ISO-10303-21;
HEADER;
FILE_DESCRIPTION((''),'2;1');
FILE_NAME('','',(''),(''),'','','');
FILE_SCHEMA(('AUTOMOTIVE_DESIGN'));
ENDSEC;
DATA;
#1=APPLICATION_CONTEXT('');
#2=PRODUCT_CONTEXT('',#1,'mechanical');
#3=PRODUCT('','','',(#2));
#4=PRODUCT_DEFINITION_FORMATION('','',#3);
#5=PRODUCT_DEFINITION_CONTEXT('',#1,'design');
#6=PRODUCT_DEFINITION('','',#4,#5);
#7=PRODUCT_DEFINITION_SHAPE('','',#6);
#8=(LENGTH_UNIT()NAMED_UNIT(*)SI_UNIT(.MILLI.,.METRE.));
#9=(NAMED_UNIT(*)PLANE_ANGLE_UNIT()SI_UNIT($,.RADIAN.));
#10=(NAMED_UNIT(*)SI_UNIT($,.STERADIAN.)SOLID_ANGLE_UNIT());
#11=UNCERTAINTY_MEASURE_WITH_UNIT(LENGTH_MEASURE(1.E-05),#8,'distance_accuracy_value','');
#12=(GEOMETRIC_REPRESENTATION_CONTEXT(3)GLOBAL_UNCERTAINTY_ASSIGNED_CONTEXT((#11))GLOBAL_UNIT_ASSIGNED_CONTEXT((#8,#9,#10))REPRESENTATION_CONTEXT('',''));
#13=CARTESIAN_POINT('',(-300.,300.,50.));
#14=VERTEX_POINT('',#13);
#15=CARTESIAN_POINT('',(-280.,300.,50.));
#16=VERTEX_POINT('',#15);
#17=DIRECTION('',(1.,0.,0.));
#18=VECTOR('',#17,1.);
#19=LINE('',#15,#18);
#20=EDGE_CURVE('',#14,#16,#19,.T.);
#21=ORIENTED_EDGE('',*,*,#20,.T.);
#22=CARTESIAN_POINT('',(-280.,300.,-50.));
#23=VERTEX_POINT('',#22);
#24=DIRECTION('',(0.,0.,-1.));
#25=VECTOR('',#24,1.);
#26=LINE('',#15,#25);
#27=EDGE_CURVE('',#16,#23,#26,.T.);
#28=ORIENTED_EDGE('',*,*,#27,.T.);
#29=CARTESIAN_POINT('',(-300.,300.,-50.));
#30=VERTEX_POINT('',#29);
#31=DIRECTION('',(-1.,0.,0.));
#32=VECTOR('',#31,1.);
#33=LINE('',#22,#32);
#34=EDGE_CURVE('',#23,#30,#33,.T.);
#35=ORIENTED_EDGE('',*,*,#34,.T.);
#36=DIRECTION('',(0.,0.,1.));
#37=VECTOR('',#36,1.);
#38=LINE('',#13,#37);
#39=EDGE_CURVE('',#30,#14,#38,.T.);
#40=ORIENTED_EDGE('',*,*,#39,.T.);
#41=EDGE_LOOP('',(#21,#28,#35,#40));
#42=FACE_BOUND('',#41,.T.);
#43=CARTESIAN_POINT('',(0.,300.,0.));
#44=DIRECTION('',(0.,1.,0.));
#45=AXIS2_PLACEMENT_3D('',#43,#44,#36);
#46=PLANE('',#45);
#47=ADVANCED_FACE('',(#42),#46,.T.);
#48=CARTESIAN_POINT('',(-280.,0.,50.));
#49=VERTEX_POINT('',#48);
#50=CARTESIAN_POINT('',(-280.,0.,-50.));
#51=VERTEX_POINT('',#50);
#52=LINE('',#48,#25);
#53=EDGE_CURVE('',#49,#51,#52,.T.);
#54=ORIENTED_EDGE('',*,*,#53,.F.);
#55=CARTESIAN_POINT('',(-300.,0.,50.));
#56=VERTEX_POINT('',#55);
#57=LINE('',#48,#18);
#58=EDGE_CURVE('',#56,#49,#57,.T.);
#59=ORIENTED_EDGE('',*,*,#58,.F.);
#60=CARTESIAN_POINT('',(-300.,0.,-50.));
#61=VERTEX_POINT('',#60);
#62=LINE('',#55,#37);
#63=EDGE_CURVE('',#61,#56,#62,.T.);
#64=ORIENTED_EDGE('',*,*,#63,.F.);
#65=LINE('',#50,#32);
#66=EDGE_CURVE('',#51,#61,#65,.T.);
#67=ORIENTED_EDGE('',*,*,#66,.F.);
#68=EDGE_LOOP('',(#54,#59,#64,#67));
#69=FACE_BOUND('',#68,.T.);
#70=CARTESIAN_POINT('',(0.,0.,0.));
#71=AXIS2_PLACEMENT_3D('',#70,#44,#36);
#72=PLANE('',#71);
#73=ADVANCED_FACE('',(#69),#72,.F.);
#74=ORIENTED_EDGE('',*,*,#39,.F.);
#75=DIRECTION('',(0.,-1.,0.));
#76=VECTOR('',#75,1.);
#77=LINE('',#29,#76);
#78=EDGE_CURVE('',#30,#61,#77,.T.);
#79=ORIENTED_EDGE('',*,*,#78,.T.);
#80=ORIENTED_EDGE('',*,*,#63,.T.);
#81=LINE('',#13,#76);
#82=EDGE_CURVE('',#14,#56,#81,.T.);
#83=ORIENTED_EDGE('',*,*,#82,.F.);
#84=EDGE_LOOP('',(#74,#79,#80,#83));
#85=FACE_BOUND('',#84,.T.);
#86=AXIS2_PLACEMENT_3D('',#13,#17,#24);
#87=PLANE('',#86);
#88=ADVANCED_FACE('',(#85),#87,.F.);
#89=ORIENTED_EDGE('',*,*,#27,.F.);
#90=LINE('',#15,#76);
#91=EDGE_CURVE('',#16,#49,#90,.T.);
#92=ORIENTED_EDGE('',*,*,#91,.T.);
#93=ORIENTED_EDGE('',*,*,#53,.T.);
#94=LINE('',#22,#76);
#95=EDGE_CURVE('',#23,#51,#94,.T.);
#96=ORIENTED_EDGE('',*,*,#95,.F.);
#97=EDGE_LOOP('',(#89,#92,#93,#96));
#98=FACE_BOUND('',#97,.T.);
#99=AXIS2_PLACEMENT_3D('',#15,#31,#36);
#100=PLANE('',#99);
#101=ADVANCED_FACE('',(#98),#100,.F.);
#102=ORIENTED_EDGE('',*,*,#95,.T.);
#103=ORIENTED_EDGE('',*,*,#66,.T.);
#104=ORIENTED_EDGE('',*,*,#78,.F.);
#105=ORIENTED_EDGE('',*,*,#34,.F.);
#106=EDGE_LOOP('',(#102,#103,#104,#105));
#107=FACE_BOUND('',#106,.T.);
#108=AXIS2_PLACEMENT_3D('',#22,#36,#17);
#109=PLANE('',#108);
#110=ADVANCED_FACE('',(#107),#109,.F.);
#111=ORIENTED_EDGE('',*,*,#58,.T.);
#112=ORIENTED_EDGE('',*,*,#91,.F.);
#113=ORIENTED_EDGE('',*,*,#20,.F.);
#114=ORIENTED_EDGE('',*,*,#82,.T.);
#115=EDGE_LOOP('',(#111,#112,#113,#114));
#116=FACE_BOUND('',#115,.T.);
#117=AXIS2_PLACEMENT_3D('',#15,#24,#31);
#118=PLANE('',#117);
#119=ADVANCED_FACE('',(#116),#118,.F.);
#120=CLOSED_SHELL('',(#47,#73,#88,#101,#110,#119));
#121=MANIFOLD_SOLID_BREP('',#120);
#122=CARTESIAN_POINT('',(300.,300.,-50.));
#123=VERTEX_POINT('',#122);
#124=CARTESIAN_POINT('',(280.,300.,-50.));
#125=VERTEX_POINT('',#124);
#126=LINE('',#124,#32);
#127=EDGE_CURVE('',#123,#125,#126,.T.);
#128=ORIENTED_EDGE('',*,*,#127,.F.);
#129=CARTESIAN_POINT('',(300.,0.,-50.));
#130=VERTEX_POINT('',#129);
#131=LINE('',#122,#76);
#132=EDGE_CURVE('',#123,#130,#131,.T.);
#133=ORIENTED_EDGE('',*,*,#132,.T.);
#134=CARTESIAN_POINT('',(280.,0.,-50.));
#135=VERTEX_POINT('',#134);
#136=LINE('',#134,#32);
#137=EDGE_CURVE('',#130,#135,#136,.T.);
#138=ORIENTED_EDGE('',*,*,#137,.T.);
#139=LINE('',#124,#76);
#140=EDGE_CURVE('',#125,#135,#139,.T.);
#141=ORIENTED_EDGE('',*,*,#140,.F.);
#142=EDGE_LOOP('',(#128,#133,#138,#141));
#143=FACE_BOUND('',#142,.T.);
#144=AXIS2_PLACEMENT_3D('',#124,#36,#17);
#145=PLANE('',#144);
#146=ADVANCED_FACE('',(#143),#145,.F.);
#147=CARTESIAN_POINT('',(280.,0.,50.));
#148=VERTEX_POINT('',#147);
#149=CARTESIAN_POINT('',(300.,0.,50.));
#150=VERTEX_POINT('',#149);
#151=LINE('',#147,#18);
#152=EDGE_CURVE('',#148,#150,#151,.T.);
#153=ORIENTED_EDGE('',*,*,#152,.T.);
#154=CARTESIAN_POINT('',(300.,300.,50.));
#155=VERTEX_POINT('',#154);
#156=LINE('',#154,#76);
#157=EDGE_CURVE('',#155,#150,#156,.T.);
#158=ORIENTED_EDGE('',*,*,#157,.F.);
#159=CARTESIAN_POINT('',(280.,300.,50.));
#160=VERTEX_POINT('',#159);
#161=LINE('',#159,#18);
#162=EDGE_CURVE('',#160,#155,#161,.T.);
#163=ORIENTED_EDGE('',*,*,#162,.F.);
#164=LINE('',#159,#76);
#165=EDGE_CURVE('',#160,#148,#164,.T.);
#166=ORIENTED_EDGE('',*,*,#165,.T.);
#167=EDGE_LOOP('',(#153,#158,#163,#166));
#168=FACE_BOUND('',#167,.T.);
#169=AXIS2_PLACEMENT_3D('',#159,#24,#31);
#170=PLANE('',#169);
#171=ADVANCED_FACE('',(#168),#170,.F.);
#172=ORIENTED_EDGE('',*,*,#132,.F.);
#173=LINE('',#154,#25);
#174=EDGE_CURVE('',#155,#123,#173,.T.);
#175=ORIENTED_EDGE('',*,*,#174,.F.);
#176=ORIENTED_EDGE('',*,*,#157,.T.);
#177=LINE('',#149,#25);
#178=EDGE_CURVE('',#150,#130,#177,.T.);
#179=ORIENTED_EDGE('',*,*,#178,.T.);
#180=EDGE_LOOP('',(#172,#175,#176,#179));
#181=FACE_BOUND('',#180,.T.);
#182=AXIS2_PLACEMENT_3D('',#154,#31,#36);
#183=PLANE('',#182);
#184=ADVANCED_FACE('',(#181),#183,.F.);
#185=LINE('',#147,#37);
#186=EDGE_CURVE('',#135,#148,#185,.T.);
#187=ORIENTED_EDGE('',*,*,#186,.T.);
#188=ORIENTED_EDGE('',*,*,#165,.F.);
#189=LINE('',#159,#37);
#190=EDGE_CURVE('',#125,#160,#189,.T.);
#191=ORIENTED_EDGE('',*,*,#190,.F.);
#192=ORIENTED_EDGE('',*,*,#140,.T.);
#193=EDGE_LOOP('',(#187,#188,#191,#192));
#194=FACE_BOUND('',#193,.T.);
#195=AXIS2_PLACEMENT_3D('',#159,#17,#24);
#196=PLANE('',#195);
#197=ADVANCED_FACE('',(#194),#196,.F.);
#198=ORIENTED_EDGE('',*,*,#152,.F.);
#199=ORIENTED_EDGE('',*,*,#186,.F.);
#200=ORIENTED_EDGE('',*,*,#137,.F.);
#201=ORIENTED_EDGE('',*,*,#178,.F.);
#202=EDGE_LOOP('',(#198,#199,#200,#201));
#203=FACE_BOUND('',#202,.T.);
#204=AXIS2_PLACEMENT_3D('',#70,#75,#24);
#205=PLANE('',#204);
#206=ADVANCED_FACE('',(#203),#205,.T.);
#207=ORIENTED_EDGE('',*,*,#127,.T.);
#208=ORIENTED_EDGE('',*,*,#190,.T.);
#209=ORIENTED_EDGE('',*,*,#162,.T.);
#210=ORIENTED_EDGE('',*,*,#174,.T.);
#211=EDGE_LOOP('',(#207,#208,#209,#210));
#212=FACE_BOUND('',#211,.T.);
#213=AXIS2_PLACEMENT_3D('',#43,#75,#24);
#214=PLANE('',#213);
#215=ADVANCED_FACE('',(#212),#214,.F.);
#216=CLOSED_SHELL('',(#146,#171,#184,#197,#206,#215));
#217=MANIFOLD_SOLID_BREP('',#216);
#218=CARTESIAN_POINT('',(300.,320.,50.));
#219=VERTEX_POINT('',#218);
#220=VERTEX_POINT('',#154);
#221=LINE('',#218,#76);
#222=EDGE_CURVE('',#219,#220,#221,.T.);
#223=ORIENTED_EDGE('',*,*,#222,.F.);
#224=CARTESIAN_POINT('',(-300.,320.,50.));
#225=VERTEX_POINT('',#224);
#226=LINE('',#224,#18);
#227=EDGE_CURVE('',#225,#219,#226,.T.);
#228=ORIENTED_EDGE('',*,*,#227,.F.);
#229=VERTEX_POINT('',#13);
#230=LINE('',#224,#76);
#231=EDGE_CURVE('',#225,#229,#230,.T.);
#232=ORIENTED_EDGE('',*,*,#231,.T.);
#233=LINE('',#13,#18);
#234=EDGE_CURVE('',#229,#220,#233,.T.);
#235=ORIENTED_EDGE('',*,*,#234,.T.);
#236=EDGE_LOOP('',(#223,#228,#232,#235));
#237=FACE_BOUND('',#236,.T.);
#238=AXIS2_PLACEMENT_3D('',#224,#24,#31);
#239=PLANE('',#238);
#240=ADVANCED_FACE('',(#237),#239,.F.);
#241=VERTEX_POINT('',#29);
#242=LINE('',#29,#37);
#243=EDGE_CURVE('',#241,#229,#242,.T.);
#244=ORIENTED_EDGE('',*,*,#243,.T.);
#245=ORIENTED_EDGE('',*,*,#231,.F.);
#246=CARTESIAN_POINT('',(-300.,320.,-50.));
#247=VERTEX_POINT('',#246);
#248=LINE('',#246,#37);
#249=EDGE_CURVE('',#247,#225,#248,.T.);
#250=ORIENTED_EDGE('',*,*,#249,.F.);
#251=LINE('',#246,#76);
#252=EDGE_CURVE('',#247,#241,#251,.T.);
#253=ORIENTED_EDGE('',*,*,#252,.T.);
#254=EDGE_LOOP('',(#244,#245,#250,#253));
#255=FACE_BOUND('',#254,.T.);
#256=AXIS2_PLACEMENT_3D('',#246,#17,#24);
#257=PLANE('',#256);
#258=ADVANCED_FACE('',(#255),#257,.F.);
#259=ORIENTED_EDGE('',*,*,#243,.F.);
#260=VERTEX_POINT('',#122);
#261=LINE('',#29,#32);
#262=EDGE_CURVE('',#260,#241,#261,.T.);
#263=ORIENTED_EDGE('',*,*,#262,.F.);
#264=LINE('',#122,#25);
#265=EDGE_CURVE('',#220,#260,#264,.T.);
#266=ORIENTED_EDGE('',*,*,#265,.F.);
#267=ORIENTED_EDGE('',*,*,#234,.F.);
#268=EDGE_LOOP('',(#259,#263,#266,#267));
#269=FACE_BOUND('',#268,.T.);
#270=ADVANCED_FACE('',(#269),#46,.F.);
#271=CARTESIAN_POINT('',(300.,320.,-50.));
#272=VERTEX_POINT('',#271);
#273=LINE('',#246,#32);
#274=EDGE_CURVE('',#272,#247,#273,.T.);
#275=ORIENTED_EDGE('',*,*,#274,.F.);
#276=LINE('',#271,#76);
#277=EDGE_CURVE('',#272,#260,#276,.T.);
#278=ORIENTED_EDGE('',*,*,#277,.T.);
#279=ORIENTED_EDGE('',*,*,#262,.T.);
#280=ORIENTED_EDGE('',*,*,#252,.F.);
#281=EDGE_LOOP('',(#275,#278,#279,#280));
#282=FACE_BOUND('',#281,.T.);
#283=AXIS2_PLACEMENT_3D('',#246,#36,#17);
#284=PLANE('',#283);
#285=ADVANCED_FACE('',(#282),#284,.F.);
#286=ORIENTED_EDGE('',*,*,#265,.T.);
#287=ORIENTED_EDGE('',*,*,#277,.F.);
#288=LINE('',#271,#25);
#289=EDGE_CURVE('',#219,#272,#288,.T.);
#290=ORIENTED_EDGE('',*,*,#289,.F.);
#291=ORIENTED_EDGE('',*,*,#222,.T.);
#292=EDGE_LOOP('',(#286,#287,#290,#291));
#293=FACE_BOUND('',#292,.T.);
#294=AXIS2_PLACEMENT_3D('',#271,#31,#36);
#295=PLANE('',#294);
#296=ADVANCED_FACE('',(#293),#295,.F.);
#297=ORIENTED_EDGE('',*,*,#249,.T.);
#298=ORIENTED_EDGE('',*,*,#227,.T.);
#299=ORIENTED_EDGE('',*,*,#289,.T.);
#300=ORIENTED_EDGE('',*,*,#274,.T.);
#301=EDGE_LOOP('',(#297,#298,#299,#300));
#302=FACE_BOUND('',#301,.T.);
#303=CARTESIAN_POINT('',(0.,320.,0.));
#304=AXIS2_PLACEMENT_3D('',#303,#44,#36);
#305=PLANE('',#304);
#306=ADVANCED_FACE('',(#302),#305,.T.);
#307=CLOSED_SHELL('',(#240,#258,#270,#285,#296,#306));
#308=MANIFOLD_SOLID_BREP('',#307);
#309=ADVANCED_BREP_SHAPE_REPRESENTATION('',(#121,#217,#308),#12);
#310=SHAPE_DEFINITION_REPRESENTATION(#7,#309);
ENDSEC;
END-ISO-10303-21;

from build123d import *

# Parameters (mm, degrees)
SKETCH1_W             = 20
SKETCH1_H             = 100
BOSS_EXTRUDE1_DEPTH   = 300
BOSS_EXTRUDE1_2_DEPTH = 300
SKETCH2_W             = 600
SKETCH2_H             = 100
BOSS_EXTRUDE2_DEPTH   = 20


with BuildPart() as part:
    # Sketch1 → Boss-Extrude1 (new body)
    with BuildSketch(Plane(origin=(0, 0, 0), x_dir=(1, 0, 0), z_dir=(0, 1, 0))):
        with Locations((-290, 0)):
            Rectangle(SKETCH1_W, SKETCH1_H)
    extrude(amount=BOSS_EXTRUDE1_DEPTH)


with BuildPart() as body_2:
    # Sketch1 → Boss-Extrude1 2 (new body)
    with BuildSketch(Plane(origin=(0, 0, 0), x_dir=(1, 0, 0), z_dir=(0, 1, 0))):
        with Locations((290, 0)):
            Rectangle(SKETCH1_W, SKETCH1_H)
    extrude(amount=BOSS_EXTRUDE1_2_DEPTH)


with BuildPart() as body_3:
    # Sketch2 → Boss-Extrude2 (new body)
    with BuildSketch(Plane(origin=(0, 300, 0), x_dir=(1, 0, 0), z_dir=(0, 1, 0))):
        Rectangle(SKETCH2_W, SKETCH2_H)
    extrude(amount=BOSS_EXTRUDE2_DEPTH)


solid = Compound([part.part, body_2.part, body_3.part])
